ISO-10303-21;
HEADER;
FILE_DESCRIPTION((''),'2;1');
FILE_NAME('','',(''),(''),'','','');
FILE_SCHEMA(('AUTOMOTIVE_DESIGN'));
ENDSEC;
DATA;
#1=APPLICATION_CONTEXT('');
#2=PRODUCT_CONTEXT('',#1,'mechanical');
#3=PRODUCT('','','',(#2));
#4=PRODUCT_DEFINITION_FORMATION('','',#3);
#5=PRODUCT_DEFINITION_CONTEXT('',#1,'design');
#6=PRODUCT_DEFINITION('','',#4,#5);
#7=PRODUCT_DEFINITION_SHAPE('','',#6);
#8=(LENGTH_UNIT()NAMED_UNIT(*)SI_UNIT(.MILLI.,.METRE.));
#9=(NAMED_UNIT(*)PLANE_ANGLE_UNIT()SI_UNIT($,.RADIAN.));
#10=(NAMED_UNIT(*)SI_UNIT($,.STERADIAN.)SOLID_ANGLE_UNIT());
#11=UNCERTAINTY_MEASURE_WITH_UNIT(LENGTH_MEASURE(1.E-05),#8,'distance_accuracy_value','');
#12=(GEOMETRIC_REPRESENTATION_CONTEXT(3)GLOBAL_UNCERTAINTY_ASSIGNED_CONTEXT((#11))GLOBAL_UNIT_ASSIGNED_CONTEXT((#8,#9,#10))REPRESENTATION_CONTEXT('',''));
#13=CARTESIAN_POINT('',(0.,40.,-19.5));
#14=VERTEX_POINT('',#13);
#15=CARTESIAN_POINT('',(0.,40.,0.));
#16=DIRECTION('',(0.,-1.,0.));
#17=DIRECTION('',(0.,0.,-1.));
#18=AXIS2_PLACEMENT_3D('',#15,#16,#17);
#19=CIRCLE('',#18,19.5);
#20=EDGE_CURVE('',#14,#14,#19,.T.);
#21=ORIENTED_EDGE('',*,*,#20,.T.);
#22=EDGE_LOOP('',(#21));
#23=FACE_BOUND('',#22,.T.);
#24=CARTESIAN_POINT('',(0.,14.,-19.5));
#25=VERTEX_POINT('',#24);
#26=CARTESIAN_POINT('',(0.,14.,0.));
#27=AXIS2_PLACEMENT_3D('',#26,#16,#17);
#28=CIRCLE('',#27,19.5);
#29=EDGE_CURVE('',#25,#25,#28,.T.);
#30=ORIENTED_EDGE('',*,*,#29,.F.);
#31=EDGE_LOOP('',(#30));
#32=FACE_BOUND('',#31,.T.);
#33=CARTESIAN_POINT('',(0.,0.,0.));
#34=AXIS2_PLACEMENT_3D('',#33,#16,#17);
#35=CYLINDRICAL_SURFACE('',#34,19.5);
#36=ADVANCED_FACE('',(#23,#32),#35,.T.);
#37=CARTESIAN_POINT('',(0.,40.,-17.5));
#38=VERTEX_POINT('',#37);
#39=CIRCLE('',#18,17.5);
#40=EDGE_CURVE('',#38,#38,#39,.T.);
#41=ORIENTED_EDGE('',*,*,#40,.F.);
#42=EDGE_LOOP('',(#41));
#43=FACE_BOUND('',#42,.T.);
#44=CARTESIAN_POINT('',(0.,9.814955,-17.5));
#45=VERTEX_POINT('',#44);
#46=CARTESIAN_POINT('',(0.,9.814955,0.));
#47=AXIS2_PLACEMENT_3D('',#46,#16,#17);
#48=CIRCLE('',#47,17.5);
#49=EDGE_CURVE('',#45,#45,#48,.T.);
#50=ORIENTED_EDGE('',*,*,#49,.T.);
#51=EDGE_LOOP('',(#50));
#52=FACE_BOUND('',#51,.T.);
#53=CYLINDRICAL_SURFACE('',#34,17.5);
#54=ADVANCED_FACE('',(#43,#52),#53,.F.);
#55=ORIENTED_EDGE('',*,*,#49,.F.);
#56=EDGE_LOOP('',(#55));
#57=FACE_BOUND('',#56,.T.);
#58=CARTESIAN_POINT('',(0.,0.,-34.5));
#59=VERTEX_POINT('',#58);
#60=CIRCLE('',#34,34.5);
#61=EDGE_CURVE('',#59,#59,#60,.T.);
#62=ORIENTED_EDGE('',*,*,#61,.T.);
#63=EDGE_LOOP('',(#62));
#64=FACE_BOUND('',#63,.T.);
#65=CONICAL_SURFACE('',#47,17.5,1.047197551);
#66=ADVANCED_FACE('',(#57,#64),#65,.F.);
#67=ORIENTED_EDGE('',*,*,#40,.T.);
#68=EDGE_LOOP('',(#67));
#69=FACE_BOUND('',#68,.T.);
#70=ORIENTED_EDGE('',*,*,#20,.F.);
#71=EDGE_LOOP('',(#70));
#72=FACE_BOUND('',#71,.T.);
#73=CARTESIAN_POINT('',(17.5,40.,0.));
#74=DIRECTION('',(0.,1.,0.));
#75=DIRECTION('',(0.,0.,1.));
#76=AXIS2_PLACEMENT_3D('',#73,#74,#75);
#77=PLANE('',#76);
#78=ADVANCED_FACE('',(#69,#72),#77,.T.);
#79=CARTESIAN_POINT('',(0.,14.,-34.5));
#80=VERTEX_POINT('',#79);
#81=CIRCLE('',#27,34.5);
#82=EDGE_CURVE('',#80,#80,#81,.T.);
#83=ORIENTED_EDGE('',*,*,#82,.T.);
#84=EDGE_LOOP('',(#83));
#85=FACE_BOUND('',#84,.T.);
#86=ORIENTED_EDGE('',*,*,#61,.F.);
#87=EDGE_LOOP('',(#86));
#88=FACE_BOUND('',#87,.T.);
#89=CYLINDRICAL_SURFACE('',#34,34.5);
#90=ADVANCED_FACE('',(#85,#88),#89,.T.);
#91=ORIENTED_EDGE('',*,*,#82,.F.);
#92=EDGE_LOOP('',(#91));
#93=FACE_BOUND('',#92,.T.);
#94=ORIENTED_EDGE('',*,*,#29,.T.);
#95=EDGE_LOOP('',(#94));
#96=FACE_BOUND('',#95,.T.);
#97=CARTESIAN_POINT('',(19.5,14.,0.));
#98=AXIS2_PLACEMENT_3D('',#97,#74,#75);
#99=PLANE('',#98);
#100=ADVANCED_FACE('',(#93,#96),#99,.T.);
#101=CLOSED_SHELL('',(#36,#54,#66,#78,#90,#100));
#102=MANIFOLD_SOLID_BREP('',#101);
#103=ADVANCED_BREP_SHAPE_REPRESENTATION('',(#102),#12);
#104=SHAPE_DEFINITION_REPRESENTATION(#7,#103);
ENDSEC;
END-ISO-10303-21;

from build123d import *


with BuildPart() as part:
    # Sketch1 → Revolve1 (revolve)
    with BuildSketch(Plane.XY, mode=Mode.PRIVATE) as revolve1_sk:
        Polygon((17.5, 40), (17.5, 9.814954576), (34.5, 0), (34.5, 14), (19.5, 14), (19.5, 40), align=None)
    revolve(revolve1_sk.sketch.rotate(Axis((0, 0, 0), (0, 1, 0)), 90), axis=Axis((0, 0, 0), (0, 1, 0)))


solid = part.part
